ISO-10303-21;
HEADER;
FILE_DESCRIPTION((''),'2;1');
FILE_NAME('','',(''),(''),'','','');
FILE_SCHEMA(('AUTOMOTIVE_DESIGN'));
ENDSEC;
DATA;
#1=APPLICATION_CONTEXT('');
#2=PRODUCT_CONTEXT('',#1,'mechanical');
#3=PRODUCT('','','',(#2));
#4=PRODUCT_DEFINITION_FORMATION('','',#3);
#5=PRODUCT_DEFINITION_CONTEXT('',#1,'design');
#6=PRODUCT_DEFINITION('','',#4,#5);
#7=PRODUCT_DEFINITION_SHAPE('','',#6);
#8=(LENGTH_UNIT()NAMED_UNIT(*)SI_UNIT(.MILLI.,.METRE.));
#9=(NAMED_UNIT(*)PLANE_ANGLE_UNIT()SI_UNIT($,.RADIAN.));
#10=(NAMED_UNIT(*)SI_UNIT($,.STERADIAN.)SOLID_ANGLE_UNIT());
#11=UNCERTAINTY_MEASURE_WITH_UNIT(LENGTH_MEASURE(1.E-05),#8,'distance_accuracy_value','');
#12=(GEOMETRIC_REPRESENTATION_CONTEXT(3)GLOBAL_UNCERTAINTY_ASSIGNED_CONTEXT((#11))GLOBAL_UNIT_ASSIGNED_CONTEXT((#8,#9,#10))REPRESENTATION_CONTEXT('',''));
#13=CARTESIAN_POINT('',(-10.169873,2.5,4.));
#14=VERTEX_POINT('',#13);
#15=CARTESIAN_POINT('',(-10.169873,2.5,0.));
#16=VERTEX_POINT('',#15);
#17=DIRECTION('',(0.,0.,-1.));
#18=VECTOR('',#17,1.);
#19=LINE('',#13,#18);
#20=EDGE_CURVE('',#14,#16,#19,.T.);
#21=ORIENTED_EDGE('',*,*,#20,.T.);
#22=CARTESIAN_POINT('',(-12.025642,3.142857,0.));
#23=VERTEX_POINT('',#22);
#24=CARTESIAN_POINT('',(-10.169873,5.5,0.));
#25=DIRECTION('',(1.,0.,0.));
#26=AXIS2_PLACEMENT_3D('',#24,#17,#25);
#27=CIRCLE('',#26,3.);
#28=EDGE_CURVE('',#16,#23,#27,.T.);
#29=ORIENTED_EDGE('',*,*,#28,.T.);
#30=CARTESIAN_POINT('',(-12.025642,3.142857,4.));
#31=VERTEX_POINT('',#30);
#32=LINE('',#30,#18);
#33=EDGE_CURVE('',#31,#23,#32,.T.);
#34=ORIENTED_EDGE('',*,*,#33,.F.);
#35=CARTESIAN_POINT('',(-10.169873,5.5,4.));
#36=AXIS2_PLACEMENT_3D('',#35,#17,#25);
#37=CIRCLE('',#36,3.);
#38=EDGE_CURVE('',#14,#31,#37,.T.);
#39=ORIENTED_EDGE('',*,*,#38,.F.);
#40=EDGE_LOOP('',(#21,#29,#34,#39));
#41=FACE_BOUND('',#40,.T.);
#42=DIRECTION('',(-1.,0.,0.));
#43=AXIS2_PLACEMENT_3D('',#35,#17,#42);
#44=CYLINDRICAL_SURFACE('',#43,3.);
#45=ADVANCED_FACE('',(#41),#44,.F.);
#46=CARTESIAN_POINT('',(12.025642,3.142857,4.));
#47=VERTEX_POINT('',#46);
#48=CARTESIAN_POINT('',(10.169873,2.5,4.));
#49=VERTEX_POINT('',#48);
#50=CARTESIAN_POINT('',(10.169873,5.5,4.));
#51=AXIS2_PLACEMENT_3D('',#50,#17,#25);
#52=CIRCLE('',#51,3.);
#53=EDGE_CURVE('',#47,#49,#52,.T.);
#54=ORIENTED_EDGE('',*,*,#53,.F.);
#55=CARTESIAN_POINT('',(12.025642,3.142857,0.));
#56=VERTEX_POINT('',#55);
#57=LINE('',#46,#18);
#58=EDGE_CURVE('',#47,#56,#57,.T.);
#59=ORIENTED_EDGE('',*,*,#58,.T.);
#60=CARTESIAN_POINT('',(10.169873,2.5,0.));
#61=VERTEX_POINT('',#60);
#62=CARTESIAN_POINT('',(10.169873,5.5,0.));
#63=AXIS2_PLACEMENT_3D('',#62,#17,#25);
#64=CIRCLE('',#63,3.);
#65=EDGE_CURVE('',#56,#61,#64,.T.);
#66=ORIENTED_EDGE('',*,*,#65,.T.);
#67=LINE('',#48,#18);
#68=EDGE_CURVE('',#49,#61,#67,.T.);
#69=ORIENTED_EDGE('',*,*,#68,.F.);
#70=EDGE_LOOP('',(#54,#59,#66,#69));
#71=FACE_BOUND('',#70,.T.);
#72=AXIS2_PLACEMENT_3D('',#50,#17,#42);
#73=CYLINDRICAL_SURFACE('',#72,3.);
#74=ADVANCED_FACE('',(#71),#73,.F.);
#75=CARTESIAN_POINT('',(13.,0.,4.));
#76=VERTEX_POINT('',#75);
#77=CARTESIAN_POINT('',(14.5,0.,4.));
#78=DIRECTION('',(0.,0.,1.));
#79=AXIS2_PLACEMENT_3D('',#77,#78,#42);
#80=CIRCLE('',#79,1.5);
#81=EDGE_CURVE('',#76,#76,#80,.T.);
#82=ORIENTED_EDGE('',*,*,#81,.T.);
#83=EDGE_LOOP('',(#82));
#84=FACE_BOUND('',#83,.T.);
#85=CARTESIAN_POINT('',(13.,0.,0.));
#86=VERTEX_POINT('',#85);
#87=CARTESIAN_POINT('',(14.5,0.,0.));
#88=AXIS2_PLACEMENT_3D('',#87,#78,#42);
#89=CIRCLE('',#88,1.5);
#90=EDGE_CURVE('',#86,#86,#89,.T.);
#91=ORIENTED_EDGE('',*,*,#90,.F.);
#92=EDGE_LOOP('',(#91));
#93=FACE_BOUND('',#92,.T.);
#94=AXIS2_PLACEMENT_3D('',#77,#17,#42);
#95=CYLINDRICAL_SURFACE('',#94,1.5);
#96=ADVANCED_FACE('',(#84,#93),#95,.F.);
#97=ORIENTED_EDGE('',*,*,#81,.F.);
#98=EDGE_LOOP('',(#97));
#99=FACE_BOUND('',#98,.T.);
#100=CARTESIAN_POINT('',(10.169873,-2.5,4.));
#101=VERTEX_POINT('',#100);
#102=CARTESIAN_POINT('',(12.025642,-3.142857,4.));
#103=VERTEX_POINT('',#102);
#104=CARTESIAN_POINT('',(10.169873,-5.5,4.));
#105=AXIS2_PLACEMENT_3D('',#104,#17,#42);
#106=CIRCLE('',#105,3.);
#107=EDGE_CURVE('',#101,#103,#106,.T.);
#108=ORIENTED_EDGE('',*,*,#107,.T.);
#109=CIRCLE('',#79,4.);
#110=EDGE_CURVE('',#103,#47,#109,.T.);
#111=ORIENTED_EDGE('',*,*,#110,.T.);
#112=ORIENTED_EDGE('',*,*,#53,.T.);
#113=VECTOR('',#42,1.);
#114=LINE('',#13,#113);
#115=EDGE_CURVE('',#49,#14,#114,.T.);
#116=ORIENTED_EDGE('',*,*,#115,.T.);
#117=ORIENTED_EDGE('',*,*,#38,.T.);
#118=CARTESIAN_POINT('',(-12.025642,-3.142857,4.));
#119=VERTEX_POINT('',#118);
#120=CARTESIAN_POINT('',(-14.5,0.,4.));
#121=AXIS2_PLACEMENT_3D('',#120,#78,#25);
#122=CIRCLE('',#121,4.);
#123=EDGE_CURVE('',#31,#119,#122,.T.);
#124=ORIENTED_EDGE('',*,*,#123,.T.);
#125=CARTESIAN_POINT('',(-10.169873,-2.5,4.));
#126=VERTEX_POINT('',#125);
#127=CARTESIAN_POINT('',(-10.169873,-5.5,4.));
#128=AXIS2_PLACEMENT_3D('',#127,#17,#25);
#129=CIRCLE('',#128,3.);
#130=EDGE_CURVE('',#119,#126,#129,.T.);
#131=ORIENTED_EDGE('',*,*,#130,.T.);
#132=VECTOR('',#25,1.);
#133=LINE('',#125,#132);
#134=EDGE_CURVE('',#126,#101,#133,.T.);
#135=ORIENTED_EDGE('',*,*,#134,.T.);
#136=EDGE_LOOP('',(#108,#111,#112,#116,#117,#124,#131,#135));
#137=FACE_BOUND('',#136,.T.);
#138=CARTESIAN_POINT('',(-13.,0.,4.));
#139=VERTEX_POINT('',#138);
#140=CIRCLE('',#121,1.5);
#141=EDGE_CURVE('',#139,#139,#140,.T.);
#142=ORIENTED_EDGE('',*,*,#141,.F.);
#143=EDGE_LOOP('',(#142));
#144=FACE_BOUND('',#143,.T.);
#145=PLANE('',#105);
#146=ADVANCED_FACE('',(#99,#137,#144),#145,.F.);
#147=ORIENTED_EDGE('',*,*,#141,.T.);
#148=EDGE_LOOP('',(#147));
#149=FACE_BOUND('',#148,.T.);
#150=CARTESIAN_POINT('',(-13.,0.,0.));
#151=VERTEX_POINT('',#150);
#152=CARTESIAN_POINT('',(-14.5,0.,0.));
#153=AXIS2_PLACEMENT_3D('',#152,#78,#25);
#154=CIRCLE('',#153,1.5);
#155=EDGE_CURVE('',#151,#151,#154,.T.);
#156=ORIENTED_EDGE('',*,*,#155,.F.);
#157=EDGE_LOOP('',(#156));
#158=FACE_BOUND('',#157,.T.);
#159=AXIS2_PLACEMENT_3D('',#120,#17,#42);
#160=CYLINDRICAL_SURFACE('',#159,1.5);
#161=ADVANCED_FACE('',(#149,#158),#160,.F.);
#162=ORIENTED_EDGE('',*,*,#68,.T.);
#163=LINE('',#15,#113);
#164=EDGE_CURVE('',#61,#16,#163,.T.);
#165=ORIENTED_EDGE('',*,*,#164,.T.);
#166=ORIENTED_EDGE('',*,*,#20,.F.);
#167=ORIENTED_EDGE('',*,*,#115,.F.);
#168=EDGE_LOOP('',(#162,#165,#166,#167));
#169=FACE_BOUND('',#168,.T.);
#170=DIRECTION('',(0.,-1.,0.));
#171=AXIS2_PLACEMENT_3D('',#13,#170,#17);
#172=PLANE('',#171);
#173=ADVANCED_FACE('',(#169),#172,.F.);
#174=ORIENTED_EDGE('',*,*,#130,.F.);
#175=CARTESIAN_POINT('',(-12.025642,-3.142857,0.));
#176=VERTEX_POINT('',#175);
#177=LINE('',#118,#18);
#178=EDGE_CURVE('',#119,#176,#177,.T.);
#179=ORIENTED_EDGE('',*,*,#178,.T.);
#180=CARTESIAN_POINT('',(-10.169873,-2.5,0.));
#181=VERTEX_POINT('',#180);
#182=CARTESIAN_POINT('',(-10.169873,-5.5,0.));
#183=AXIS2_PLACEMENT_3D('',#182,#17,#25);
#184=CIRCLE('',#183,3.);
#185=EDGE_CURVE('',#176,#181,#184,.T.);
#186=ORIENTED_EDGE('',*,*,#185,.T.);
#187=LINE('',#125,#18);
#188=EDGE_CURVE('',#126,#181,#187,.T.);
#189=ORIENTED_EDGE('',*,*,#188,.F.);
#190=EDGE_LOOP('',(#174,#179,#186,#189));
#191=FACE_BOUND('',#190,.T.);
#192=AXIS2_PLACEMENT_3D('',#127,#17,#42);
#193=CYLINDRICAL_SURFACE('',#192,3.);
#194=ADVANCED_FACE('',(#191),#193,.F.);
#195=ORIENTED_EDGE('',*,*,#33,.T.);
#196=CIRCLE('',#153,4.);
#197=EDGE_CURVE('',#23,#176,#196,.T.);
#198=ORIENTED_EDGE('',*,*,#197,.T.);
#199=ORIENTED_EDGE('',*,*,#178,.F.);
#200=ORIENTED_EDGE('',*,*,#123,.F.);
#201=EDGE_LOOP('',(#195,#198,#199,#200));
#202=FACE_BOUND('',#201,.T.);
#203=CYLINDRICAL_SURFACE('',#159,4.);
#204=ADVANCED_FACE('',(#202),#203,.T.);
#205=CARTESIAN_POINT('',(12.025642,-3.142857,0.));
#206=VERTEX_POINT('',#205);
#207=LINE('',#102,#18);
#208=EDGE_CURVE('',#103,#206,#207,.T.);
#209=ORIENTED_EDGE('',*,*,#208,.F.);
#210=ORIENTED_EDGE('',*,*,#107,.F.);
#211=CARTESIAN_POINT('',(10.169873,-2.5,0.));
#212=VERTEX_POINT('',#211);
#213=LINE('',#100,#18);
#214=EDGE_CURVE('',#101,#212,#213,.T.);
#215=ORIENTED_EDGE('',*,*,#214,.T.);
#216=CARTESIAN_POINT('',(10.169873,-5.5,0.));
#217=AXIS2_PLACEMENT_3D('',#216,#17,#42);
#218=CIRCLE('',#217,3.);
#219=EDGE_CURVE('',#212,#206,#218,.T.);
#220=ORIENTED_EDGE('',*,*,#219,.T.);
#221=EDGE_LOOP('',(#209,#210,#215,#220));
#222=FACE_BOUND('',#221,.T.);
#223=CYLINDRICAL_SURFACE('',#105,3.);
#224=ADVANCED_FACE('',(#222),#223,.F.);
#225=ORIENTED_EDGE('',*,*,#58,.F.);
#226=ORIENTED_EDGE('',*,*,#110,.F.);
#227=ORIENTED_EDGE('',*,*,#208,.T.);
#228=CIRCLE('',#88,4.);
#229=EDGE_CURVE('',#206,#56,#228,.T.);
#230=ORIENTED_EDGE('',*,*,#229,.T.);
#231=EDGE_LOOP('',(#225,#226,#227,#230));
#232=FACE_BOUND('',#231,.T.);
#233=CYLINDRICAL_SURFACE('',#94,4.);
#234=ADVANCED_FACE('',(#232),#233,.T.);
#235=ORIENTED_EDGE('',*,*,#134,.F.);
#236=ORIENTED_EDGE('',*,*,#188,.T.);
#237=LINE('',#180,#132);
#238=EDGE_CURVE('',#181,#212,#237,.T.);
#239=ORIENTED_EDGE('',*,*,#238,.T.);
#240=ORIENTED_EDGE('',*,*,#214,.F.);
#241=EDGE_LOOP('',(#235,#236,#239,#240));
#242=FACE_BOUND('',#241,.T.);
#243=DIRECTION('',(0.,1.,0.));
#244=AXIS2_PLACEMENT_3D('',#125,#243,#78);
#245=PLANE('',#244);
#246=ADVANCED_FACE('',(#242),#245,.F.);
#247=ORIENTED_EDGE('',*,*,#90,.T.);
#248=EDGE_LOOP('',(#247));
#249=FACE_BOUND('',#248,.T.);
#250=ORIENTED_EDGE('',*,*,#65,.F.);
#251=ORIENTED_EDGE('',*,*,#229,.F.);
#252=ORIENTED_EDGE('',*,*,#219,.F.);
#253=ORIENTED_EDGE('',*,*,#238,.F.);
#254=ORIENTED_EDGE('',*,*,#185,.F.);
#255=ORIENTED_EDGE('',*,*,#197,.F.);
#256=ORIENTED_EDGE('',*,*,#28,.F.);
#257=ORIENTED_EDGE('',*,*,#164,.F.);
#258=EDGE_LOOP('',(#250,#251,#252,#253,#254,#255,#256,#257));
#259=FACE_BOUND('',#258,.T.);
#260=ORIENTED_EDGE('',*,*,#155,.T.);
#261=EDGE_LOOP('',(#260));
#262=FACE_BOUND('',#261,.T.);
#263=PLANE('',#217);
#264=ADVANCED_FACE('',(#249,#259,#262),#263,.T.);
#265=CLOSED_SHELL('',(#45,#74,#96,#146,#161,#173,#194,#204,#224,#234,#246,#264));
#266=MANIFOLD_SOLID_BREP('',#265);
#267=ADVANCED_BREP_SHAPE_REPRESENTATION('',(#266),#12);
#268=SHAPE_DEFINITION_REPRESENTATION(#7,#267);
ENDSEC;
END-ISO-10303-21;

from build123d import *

# Parameters (mm, degrees)
SKETCH1_R           = 1.5
BOSS_EXTRUDE1_DEPTH = 4


with BuildPart() as part:
    # Sketch1 → Boss-Extrude1 (new body)
    with BuildSketch(Plane.XY):
        with BuildLine():
            Line((-10.169872981, -2.5), (10.169872981, -2.5))
            ThreePointArc((10.169872981, -2.5), (11.151853487, -2.665266452), (12.025641703, -3.142857143))
            ThreePointArc((12.025641703, -3.142857143), (18.5, 0), (12.025641703, 3.142857143))
            ThreePointArc((12.025641703, 3.142857143), (11.151853487, 2.665266452), (10.169872981, 2.5))
            Line((10.169872981, 2.5), (-10.169872981, 2.5))
            ThreePointArc((-10.169872981, 2.5), (-11.151853487, 2.665266452), (-12.025641703, 3.142857143))
            ThreePointArc((-12.025641703, 3.142857143), (-18.5, 0), (-12.025641703, -3.142857143))
            ThreePointArc((-12.025641703, -3.142857143), (-11.151853487, -2.665266452), (-10.169872981, -2.5))
        make_face()
        with Locations((-14.5, 0)):
            Circle(SKETCH1_R, mode=Mode.SUBTRACT)
        with Locations(Location((14.5, 0, 0), (0, 0, 180))):
            Circle(SKETCH1_R, mode=Mode.SUBTRACT)
    extrude(amount=BOSS_EXTRUDE1_DEPTH)


solid = part.part
